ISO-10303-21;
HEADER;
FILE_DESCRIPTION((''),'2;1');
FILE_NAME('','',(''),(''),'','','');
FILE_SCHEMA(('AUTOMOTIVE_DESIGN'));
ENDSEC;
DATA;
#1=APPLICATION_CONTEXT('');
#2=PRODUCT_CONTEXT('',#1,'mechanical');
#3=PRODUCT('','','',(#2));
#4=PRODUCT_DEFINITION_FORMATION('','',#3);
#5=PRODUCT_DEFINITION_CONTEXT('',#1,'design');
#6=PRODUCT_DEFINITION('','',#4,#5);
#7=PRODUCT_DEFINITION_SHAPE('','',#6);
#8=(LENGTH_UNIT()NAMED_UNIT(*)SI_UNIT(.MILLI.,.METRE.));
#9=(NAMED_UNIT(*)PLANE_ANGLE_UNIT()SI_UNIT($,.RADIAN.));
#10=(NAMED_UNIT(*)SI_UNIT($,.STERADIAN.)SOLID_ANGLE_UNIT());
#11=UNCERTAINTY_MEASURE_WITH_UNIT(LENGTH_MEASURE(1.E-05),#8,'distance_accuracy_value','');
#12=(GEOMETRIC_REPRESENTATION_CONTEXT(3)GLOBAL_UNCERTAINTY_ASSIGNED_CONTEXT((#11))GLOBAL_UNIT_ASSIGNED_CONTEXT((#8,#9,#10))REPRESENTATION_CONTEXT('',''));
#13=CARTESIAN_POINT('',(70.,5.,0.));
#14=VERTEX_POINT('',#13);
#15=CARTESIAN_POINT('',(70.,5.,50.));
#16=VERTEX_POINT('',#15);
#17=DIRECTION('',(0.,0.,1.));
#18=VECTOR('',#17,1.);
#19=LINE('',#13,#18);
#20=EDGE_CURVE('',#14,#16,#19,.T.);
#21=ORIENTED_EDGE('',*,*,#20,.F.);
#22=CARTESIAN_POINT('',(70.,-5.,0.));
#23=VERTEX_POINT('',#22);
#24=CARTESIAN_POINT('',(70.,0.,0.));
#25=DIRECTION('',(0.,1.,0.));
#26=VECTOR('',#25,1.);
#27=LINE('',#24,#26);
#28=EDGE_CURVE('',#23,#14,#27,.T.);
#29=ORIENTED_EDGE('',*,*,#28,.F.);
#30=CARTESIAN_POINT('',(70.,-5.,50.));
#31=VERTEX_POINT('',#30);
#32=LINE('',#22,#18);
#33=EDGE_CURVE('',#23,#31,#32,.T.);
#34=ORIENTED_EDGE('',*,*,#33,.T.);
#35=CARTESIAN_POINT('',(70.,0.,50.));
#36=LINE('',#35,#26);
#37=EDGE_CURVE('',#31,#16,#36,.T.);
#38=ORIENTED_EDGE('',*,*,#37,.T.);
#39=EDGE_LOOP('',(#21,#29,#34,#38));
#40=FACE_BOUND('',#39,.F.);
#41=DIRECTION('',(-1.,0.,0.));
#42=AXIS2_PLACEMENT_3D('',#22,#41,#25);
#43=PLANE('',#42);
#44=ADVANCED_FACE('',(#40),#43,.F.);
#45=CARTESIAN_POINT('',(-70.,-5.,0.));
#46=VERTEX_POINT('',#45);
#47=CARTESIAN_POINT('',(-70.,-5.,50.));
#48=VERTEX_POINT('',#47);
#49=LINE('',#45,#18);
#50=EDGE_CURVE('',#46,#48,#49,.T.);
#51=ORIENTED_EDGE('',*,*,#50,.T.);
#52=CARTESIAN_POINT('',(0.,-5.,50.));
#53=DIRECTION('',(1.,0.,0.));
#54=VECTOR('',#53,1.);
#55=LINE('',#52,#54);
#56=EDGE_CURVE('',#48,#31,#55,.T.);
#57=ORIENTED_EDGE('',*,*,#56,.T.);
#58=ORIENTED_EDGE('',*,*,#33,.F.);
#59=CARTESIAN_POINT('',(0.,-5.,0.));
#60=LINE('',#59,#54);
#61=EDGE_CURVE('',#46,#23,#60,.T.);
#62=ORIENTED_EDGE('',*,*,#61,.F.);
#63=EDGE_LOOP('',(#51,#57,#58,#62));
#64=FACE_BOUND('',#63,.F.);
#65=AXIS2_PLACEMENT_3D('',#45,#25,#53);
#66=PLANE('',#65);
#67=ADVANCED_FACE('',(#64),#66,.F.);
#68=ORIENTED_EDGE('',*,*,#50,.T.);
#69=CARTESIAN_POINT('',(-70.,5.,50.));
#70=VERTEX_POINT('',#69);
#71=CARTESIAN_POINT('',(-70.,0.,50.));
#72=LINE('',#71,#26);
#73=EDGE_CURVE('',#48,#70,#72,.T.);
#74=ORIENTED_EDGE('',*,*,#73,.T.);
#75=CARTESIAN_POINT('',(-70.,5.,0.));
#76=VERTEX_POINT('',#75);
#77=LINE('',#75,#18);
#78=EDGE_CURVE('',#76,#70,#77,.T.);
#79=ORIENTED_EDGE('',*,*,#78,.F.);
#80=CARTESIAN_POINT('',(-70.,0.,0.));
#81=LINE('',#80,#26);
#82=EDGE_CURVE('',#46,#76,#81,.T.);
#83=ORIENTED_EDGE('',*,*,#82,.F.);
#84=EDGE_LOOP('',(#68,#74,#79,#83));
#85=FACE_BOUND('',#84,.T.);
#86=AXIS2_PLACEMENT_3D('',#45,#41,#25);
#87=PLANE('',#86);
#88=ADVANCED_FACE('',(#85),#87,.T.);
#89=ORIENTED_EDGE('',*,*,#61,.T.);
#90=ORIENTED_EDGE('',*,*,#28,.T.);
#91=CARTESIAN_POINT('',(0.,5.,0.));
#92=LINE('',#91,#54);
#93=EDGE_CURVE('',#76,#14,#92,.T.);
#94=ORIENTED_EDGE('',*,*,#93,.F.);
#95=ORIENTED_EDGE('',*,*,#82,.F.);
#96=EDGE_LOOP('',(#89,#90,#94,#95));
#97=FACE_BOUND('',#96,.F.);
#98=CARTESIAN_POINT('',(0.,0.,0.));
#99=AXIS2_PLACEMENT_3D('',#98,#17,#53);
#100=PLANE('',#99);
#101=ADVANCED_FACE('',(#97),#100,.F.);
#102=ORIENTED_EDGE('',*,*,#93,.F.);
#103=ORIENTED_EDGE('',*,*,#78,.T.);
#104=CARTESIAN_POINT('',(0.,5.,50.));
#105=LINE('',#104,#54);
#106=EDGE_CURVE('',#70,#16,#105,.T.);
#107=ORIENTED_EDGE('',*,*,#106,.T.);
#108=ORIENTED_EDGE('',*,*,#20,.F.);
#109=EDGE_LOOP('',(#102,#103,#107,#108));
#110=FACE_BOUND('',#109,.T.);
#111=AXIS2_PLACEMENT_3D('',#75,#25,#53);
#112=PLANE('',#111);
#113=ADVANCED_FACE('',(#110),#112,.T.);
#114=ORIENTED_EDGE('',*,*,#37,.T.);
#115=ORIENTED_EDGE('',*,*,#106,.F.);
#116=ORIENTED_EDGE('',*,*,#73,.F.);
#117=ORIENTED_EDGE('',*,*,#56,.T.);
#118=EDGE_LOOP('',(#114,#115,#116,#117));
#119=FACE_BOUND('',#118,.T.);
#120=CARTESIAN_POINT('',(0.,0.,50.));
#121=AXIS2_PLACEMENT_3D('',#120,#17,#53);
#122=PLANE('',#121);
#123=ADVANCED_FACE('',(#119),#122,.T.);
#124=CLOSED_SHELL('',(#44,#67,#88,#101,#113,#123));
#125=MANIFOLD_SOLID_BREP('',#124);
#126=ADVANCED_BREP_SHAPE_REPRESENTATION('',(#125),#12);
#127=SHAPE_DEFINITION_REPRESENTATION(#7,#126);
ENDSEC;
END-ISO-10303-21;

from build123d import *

# Parameters (mm, degrees)
SKETCH_W      = 140
SKETCH_H      = 10
EXTRUDE_DEPTH = 50


with BuildPart() as part:
    # Sketch → Extrude (new body)
    with BuildSketch(Plane.XY):
        Rectangle(SKETCH_W, SKETCH_H)
    extrude(amount=EXTRUDE_DEPTH)


solid = part.part
